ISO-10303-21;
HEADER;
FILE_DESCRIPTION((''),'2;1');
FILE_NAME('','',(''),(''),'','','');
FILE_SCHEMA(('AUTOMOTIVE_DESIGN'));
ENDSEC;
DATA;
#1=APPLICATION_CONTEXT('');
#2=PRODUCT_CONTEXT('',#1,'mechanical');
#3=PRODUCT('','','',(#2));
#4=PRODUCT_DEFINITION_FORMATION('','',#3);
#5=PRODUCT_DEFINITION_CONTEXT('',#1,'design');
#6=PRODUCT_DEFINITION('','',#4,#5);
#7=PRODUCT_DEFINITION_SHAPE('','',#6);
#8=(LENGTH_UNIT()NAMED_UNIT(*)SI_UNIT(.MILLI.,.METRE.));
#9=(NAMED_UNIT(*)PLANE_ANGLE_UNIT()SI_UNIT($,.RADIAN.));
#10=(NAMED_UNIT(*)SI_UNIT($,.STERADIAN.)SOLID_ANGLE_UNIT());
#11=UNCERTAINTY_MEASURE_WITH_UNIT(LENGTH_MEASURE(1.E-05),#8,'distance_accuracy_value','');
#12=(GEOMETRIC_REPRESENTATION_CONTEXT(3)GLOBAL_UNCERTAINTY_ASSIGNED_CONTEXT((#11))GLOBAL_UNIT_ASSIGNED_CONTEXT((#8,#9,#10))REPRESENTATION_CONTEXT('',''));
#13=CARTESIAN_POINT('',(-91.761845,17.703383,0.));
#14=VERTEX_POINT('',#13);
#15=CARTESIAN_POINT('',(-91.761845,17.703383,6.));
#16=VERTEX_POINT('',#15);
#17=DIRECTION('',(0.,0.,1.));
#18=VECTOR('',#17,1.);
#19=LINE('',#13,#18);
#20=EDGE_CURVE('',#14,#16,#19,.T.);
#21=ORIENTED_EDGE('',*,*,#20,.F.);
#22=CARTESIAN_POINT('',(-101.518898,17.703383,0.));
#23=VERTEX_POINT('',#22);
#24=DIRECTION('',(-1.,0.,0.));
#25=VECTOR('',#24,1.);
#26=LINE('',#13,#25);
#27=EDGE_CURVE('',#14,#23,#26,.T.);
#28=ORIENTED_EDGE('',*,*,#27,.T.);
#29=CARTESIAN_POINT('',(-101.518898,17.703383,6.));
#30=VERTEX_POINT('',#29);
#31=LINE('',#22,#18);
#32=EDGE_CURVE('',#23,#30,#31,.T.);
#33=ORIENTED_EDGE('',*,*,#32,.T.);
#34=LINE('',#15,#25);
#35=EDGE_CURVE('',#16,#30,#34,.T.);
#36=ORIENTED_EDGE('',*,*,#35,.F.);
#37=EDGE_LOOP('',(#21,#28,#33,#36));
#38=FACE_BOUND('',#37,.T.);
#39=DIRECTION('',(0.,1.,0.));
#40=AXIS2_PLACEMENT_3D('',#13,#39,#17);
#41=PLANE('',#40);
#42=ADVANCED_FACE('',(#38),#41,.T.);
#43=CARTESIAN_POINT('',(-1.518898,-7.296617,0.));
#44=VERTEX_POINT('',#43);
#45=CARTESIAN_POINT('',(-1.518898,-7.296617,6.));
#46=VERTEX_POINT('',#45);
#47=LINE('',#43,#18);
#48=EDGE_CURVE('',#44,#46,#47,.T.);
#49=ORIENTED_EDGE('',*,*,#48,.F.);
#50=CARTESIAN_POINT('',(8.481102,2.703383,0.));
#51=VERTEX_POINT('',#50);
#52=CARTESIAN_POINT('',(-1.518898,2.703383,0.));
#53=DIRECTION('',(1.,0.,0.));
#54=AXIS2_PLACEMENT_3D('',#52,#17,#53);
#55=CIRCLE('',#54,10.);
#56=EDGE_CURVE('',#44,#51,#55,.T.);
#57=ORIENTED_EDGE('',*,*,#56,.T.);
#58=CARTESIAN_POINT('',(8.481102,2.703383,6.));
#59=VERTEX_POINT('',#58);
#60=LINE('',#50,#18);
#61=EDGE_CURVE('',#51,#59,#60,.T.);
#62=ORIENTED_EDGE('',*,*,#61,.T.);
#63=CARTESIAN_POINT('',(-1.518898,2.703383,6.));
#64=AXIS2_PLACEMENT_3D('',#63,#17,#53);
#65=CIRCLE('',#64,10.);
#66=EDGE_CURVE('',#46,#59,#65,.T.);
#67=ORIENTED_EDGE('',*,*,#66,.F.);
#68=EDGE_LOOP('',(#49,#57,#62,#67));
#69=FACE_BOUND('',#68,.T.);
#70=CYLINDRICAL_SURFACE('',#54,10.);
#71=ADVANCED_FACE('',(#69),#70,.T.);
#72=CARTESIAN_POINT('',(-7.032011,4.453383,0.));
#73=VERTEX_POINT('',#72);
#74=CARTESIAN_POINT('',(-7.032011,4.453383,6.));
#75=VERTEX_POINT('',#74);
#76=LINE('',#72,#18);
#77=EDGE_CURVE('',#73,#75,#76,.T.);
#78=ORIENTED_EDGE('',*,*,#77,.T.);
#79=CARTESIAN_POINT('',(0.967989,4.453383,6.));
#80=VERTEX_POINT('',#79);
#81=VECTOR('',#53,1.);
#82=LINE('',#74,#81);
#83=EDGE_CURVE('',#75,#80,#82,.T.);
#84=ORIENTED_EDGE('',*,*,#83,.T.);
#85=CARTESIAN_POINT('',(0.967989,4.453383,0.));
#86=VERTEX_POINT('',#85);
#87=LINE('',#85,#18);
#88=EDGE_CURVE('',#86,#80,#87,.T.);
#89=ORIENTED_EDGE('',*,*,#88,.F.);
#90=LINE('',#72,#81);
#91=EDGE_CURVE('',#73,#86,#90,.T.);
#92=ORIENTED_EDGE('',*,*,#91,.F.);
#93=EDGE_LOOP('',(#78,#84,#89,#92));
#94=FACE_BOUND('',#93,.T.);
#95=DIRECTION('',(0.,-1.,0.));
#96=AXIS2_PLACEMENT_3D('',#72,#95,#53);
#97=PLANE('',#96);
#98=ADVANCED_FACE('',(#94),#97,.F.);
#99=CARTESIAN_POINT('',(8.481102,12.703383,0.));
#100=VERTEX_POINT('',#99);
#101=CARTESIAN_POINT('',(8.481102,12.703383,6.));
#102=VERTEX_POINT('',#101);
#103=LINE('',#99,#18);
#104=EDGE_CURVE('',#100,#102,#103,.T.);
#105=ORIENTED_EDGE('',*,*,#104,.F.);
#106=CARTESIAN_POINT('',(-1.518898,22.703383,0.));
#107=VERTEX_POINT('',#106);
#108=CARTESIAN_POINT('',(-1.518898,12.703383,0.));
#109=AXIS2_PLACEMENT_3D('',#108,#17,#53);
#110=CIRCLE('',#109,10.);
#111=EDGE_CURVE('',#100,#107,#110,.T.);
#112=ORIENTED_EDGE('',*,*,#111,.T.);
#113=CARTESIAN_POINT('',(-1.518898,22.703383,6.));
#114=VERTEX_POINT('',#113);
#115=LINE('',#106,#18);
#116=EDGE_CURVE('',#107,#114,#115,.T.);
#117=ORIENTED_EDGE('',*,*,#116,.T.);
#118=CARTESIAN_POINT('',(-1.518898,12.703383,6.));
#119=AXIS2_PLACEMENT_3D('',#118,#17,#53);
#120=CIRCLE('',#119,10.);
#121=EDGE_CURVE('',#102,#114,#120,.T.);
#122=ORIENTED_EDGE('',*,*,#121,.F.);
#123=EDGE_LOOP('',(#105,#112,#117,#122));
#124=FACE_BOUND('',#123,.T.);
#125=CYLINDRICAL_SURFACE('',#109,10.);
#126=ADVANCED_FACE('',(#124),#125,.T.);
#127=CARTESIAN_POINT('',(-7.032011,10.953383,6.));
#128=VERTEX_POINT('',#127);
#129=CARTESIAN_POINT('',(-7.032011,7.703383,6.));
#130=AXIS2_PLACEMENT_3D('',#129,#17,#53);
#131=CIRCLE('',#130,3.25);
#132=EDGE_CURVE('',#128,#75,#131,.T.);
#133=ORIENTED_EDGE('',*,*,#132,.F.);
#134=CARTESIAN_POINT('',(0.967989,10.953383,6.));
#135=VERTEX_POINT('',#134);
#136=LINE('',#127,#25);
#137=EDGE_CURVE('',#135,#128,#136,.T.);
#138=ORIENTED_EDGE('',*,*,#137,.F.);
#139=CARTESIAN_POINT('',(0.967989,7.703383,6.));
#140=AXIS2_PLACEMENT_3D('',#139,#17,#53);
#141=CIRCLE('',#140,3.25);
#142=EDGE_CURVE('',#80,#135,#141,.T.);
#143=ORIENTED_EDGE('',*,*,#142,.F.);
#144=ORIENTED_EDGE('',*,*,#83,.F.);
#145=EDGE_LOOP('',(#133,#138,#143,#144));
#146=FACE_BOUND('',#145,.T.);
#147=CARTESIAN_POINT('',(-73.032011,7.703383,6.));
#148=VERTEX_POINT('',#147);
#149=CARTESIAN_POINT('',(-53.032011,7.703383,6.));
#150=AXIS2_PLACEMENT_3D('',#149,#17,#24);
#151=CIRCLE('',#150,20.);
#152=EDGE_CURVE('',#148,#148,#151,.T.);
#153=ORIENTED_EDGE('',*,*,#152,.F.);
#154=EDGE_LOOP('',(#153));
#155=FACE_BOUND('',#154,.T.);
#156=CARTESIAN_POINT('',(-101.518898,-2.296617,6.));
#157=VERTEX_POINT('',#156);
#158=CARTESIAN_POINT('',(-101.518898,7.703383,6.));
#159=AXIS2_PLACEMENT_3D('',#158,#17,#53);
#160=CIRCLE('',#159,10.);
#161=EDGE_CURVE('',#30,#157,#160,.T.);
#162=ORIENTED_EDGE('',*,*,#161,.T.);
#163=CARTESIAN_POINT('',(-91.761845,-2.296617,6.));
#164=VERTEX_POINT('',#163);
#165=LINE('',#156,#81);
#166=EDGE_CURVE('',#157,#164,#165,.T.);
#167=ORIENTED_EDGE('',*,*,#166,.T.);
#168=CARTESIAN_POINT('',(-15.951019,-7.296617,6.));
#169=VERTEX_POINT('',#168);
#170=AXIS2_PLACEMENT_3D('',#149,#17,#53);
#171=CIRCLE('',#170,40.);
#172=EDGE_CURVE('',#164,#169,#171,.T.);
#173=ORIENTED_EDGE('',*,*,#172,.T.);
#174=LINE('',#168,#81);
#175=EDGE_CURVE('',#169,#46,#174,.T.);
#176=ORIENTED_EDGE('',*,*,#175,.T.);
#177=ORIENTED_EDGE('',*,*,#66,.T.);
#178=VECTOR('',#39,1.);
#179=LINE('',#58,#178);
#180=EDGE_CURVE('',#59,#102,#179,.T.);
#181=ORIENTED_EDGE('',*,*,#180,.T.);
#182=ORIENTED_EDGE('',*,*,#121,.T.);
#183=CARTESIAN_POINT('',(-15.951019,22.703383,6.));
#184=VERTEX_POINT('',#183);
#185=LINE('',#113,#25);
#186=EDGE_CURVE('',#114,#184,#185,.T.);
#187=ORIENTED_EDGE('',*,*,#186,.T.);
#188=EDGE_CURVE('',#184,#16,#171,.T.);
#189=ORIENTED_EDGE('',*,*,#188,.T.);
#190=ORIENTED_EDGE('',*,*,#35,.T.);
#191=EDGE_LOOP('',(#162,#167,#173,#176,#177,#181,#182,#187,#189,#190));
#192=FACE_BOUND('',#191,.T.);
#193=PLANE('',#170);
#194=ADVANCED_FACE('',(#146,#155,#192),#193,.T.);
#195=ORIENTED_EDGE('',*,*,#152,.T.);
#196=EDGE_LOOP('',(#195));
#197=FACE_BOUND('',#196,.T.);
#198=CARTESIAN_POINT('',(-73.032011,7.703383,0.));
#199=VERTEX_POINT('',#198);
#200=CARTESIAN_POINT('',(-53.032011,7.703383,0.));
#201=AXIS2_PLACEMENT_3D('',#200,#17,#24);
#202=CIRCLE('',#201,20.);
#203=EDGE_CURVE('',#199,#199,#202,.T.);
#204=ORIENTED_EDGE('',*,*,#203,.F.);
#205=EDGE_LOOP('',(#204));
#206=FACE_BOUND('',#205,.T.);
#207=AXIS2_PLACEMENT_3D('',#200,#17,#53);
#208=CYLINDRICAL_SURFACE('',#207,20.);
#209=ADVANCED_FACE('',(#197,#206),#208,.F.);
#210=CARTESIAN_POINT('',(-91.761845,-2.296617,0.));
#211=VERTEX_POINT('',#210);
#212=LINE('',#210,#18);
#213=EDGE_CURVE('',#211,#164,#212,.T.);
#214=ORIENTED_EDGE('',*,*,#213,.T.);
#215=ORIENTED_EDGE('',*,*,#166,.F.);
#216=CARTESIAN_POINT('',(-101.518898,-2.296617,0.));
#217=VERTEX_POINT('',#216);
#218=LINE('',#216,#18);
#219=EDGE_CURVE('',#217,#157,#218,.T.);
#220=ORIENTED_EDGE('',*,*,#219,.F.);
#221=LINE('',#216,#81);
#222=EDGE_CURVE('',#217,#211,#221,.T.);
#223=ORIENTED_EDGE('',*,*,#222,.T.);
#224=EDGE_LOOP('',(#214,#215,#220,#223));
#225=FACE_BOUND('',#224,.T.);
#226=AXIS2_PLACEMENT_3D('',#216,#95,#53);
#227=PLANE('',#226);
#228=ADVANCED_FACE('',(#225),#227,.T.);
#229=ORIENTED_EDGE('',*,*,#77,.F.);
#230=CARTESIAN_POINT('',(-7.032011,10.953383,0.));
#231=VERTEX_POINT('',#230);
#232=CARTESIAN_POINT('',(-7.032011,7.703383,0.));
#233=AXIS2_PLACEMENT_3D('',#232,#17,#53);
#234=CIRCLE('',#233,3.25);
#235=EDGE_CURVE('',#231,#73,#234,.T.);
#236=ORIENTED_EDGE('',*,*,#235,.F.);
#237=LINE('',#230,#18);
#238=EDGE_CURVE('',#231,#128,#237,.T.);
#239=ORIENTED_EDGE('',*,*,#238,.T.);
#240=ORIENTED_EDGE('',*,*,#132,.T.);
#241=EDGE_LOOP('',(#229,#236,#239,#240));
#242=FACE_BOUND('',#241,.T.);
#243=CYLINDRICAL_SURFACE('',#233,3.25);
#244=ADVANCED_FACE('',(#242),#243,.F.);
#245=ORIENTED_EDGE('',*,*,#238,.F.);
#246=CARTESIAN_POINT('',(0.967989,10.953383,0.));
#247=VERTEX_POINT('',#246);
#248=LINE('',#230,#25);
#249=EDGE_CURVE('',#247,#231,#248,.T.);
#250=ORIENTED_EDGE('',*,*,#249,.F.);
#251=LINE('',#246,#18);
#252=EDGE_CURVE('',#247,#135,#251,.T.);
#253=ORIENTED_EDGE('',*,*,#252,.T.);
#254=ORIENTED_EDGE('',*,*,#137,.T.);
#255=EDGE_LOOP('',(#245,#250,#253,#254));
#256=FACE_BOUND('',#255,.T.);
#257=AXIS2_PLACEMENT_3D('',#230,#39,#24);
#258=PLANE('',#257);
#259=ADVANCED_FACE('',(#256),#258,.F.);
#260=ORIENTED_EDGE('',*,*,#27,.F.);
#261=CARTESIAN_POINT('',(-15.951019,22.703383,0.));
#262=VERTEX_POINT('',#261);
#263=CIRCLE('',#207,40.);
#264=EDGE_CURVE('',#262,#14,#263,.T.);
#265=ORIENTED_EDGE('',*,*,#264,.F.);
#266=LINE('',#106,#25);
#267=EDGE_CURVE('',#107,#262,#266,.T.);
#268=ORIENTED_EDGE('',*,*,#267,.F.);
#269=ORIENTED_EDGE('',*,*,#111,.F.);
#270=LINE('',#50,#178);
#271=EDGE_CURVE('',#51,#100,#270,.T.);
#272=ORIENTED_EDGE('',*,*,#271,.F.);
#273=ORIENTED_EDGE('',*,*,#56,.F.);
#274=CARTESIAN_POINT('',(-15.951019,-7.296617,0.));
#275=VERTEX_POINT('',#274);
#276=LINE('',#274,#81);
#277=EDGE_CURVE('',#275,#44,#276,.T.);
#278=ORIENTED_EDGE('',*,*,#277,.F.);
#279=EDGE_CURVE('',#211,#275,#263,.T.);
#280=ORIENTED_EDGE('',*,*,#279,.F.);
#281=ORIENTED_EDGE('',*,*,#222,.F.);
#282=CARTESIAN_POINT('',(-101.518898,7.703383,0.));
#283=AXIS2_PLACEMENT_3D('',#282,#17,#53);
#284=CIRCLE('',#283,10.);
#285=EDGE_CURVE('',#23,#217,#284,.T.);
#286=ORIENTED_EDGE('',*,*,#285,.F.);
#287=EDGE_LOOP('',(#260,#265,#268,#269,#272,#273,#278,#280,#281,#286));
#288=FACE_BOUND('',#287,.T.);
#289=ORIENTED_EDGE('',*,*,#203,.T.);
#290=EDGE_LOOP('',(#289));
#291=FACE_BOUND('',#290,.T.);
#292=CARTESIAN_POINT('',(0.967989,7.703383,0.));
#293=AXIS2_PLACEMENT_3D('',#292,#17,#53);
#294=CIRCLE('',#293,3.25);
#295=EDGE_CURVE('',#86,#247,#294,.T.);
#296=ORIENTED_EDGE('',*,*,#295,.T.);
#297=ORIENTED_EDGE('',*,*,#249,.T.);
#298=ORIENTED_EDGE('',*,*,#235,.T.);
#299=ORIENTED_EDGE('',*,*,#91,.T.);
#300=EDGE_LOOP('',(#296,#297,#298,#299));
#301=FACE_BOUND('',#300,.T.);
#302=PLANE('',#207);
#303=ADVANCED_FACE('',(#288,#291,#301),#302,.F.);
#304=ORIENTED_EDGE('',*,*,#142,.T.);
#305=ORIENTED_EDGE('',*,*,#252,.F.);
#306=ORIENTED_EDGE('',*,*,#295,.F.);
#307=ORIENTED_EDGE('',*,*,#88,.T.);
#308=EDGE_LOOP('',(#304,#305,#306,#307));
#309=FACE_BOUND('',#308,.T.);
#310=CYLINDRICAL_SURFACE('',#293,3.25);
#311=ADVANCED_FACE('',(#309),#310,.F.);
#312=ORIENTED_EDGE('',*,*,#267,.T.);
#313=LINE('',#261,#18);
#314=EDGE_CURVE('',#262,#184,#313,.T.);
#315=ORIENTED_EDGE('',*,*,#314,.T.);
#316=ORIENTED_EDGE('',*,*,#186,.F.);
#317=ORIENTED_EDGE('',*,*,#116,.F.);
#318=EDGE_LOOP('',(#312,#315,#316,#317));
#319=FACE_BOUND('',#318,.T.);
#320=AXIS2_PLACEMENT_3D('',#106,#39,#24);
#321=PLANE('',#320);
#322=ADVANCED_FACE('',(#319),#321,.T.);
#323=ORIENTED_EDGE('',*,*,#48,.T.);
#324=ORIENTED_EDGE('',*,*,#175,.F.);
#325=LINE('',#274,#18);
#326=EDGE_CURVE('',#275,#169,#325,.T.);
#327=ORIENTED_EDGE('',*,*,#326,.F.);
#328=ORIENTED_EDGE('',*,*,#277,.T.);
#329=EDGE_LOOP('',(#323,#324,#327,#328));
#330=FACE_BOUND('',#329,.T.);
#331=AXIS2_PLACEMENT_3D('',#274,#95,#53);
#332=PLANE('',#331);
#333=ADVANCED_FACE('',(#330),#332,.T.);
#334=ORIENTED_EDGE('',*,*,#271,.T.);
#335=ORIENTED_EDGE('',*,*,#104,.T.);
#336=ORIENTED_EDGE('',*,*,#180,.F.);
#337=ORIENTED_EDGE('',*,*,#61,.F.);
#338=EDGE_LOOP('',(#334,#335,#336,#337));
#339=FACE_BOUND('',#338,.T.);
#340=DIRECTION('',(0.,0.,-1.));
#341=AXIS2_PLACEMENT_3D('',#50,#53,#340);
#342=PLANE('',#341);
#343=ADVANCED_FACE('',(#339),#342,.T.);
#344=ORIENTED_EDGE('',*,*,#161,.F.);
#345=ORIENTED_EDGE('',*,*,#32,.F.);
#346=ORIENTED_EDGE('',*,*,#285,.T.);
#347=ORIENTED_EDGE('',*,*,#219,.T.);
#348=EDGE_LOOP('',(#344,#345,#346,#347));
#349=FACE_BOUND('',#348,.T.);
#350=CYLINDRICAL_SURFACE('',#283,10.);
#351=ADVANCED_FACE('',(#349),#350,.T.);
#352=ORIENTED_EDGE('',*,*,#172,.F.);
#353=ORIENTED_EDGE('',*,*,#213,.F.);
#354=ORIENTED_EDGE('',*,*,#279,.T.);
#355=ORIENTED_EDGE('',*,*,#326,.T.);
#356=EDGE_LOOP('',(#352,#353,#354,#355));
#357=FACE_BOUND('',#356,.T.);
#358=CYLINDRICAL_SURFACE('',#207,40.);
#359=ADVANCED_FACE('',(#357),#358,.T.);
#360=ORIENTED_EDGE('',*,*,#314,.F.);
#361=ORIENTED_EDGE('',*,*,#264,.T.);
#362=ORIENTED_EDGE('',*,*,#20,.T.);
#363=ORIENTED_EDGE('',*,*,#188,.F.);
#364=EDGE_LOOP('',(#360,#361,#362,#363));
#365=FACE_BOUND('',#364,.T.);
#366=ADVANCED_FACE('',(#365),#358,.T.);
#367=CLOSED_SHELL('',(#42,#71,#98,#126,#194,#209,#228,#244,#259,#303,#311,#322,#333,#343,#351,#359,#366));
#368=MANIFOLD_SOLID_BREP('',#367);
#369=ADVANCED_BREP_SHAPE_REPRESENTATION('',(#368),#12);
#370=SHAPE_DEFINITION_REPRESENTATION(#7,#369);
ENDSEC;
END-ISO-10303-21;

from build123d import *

# Parameters (mm, degrees)
SKETCH1_R           = 20
BOSS_EXTRUDE1_DEPTH = 6


with BuildPart() as part:
    # Sketch1 → Boss-Extrude1 (new body)
    with BuildSketch(Plane.XY.offset(6)):
        with BuildLine():
            Line((-91.761844853, 17.703382647), (-101.518898091, 17.703382647))
            ThreePointArc((-101.518898091, 17.703382647), (-111.518898091, 7.703382647), (-101.518898091, -2.296617353))
            Line((-101.518898091, -2.296617353), (-91.761844853, -2.296617353))
            ThreePointArc((-91.761844853, -2.296617353), (-55.664437873, -32.209902495), (-15.951018956, -7.296617353))
            Line((-15.951018956, -7.296617353), (-1.518898091, -7.296617353))
            ThreePointArc((-1.518898091, -7.296617353), (5.552169721, -4.367685165), (8.481101909, 2.703382647))
            Line((8.481101909, 2.703382647), (8.481101909, 12.703382647))
            ThreePointArc((8.481101909, 12.703382647), (5.552169721, 19.774450459), (-1.518898091, 22.703382647))
            Line((-1.518898091, 22.703382647), (-15.951018956, 22.703382647))
            ThreePointArc((-15.951018956, 22.703382647), (-55.664437873, 47.616667789), (-91.761844853, 17.703382647))
        make_face()
        with Locations(Location((-53.032011391, 7.703382647, 0), (0, 0, 180))):
            Circle(SKETCH1_R, mode=Mode.SUBTRACT)
        with BuildLine():
            Line((-7.032011391, 10.953382647), (0.967988609, 10.953382647))
            ThreePointArc((0.967988609, 10.953382647), (4.217988609, 7.703382647), (0.967988609, 4.453382647))
            Line((0.967988609, 4.453382647), (-7.032011391, 4.453382647))
            ThreePointArc((-7.032011391, 4.453382647), (-10.282011391, 7.703382647), (-7.032011391, 10.953382647))
        make_face(mode=Mode.SUBTRACT)
    extrude(amount=-BOSS_EXTRUDE1_DEPTH)


solid = part.part
